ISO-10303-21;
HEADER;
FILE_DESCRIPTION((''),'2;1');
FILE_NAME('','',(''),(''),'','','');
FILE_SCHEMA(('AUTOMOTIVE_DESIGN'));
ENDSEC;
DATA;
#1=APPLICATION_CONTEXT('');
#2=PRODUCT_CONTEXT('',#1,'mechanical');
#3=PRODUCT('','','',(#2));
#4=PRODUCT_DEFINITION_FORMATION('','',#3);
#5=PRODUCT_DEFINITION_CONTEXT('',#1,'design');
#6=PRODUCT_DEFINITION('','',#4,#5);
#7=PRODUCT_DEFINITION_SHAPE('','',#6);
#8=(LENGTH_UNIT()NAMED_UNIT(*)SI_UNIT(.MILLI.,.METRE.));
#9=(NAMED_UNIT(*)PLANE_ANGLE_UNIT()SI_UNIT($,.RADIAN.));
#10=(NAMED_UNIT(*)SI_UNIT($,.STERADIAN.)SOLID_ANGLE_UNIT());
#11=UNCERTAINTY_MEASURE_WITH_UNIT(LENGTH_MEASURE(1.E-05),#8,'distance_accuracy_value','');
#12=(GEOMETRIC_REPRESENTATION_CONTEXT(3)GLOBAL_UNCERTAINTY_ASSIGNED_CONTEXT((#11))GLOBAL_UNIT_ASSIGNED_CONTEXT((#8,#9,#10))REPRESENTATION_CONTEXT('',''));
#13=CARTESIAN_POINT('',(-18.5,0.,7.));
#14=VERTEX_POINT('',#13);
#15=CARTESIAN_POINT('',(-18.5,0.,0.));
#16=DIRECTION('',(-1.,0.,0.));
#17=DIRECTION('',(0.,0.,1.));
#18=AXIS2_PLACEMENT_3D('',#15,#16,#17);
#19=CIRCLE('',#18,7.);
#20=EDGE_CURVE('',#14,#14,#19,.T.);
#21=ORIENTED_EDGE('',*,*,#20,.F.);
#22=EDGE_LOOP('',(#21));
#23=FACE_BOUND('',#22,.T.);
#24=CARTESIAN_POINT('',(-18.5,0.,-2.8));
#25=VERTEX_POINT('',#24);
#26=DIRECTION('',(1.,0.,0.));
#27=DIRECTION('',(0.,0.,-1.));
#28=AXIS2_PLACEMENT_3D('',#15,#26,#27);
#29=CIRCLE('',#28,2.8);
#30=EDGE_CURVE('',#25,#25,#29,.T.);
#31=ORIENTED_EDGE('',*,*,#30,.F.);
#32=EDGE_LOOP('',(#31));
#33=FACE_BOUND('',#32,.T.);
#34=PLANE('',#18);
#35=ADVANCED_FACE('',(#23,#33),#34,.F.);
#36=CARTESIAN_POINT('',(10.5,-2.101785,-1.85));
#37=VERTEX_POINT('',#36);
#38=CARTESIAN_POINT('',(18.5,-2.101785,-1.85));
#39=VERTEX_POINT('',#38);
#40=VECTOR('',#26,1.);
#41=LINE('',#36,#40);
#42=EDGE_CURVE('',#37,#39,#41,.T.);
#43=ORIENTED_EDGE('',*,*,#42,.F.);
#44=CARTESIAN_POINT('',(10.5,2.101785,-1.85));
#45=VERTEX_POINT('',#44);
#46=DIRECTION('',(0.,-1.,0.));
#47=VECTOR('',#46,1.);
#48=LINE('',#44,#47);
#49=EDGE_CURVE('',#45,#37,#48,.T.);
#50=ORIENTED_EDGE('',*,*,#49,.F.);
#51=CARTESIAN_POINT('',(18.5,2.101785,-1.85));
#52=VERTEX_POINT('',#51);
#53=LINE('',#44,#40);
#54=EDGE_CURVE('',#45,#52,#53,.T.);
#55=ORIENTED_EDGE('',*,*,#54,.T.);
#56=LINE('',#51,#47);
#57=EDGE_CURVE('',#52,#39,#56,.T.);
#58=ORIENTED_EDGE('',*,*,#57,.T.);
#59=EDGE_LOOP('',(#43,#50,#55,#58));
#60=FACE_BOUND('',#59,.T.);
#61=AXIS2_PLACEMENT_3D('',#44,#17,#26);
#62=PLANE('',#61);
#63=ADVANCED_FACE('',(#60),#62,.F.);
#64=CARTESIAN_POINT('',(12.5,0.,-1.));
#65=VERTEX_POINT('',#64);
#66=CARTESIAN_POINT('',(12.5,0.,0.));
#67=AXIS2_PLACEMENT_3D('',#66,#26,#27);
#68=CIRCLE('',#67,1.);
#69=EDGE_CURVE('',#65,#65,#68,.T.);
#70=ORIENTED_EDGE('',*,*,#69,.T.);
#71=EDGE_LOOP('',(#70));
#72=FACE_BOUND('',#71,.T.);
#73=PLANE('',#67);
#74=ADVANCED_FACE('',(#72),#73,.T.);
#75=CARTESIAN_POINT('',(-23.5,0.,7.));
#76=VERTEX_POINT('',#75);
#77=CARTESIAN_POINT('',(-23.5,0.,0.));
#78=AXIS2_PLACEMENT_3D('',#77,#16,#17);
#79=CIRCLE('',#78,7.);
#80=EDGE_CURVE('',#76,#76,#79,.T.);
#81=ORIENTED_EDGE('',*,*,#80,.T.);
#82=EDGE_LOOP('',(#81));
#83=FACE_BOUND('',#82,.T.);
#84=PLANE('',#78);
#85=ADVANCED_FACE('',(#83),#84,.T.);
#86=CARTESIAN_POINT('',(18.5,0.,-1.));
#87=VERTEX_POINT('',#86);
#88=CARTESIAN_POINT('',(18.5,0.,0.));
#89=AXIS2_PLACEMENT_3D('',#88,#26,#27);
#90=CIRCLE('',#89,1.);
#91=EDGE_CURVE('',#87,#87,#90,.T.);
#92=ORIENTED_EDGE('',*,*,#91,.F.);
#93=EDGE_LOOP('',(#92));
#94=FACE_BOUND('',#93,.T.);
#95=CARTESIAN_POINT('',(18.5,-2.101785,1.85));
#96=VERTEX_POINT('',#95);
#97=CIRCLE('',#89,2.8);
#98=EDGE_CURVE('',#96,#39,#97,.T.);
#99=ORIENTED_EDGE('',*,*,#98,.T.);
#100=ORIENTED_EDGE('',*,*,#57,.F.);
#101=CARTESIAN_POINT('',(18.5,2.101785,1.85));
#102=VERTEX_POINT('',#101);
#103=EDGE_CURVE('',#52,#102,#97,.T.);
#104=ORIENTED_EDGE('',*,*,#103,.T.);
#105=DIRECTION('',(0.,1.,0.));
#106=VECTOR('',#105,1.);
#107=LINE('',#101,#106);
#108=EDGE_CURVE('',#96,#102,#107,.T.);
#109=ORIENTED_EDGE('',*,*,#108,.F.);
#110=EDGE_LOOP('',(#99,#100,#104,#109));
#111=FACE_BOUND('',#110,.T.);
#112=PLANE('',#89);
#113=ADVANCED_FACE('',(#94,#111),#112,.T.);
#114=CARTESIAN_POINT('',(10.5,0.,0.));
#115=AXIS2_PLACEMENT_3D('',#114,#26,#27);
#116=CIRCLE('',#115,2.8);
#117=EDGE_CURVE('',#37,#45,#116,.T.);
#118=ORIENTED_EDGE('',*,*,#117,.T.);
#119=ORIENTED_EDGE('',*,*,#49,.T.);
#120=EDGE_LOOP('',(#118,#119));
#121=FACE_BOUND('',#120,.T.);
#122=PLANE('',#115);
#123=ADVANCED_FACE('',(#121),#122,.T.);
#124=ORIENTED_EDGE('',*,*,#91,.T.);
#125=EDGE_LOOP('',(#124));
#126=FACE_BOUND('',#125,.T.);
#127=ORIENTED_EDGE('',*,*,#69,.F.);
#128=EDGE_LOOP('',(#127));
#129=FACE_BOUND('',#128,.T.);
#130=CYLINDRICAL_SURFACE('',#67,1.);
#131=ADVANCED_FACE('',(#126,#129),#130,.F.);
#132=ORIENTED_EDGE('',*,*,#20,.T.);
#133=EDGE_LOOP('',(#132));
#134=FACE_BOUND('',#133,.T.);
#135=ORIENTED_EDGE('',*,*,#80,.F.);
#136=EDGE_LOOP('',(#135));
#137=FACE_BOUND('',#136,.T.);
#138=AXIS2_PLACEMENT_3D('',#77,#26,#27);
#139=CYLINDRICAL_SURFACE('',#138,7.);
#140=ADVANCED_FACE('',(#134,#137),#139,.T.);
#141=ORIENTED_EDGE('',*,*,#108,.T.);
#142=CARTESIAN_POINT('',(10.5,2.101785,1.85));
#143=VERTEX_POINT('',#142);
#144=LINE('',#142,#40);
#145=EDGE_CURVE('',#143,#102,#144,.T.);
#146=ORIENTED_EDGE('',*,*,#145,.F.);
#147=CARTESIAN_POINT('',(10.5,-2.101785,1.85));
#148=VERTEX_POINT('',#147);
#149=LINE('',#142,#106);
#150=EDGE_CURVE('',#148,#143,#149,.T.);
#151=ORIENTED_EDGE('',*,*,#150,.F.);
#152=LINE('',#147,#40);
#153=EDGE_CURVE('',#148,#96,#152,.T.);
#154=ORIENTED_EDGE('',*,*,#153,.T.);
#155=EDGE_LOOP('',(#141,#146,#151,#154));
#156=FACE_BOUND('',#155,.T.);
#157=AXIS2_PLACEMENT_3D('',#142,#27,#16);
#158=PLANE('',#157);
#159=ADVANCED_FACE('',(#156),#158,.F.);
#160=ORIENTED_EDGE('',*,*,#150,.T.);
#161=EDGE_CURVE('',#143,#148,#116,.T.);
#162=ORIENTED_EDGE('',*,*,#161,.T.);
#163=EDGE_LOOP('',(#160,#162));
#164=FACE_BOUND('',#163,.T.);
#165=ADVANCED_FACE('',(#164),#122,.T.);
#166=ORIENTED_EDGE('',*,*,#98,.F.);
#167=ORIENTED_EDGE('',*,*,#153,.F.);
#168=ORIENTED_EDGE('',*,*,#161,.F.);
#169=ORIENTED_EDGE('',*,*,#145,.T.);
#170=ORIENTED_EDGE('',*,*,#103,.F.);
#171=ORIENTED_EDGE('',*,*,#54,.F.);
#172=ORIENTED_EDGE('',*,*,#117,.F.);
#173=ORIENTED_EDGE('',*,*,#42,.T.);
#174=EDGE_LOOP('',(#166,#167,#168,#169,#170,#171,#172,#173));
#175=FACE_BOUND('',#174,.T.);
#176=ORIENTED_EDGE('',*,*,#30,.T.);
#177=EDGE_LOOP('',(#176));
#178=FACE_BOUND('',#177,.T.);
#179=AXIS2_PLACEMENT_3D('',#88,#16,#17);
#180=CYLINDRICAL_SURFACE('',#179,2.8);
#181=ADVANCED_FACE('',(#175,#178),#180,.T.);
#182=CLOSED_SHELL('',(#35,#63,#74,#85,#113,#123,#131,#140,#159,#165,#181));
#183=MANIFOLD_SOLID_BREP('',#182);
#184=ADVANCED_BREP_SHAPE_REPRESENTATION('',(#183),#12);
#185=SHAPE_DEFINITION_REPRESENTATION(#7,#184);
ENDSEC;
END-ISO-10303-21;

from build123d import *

# Parameters (mm, degrees)
SKETCH1_R           = 2.8
BOSS_EXTRUDE1_DEPTH = 18.5
CUT_EXTRUDE1_DEPTH  = 8
SKETCH3_R           = 1
CUT_EXTRUDE2_DEPTH  = 6
SKETCH5_R           = 7
BOSS_EXTRUDE2_DEPTH = 5


with BuildPart() as part:
    # Sketch1 → Boss-Extrude1 (new, symmetric)
    with BuildSketch(Plane(origin=(0, 0, 0), x_dir=(0, 0, -1), z_dir=(1, 0, 0))):
        Circle(SKETCH1_R)
    extrude(amount=BOSS_EXTRUDE1_DEPTH, both=True)

    # Sketch2 → Cut-Extrude1 (cut)
    with BuildSketch(Plane(origin=(18.5, 0, 0), x_dir=(0, 0, -1), z_dir=(1, 0, 0))):
        with BuildLine():
            Line((-1.85, 2.101784956), (-1.85, -2.101784956))
            ThreePointArc((-1.85, -2.101784956), (-2.8, 0), (-1.85, 2.101784956))
        make_face()
        with BuildLine():
            Line((1.85, 2.101784956), (1.85, -2.101784956))
            ThreePointArc((1.85, -2.101784956), (2.8, 0), (1.85, 2.101784956))
        make_face()
    extrude(amount=-CUT_EXTRUDE1_DEPTH, mode=Mode.SUBTRACT)

    # Sketch3 → Cut-Extrude2 (cut)
    with BuildSketch(Plane(origin=(18.5, 0, 0), x_dir=(0, 0, -1), z_dir=(1, 0, 0))):
        Circle(SKETCH3_R)
    extrude(amount=-CUT_EXTRUDE2_DEPTH, mode=Mode.SUBTRACT)

    # Sketch5 → Boss-Extrude2 (add)
    with BuildSketch(Plane.ZY.offset(18.5)):
        Circle(SKETCH5_R)
    extrude(amount=BOSS_EXTRUDE2_DEPTH)


solid = part.part
